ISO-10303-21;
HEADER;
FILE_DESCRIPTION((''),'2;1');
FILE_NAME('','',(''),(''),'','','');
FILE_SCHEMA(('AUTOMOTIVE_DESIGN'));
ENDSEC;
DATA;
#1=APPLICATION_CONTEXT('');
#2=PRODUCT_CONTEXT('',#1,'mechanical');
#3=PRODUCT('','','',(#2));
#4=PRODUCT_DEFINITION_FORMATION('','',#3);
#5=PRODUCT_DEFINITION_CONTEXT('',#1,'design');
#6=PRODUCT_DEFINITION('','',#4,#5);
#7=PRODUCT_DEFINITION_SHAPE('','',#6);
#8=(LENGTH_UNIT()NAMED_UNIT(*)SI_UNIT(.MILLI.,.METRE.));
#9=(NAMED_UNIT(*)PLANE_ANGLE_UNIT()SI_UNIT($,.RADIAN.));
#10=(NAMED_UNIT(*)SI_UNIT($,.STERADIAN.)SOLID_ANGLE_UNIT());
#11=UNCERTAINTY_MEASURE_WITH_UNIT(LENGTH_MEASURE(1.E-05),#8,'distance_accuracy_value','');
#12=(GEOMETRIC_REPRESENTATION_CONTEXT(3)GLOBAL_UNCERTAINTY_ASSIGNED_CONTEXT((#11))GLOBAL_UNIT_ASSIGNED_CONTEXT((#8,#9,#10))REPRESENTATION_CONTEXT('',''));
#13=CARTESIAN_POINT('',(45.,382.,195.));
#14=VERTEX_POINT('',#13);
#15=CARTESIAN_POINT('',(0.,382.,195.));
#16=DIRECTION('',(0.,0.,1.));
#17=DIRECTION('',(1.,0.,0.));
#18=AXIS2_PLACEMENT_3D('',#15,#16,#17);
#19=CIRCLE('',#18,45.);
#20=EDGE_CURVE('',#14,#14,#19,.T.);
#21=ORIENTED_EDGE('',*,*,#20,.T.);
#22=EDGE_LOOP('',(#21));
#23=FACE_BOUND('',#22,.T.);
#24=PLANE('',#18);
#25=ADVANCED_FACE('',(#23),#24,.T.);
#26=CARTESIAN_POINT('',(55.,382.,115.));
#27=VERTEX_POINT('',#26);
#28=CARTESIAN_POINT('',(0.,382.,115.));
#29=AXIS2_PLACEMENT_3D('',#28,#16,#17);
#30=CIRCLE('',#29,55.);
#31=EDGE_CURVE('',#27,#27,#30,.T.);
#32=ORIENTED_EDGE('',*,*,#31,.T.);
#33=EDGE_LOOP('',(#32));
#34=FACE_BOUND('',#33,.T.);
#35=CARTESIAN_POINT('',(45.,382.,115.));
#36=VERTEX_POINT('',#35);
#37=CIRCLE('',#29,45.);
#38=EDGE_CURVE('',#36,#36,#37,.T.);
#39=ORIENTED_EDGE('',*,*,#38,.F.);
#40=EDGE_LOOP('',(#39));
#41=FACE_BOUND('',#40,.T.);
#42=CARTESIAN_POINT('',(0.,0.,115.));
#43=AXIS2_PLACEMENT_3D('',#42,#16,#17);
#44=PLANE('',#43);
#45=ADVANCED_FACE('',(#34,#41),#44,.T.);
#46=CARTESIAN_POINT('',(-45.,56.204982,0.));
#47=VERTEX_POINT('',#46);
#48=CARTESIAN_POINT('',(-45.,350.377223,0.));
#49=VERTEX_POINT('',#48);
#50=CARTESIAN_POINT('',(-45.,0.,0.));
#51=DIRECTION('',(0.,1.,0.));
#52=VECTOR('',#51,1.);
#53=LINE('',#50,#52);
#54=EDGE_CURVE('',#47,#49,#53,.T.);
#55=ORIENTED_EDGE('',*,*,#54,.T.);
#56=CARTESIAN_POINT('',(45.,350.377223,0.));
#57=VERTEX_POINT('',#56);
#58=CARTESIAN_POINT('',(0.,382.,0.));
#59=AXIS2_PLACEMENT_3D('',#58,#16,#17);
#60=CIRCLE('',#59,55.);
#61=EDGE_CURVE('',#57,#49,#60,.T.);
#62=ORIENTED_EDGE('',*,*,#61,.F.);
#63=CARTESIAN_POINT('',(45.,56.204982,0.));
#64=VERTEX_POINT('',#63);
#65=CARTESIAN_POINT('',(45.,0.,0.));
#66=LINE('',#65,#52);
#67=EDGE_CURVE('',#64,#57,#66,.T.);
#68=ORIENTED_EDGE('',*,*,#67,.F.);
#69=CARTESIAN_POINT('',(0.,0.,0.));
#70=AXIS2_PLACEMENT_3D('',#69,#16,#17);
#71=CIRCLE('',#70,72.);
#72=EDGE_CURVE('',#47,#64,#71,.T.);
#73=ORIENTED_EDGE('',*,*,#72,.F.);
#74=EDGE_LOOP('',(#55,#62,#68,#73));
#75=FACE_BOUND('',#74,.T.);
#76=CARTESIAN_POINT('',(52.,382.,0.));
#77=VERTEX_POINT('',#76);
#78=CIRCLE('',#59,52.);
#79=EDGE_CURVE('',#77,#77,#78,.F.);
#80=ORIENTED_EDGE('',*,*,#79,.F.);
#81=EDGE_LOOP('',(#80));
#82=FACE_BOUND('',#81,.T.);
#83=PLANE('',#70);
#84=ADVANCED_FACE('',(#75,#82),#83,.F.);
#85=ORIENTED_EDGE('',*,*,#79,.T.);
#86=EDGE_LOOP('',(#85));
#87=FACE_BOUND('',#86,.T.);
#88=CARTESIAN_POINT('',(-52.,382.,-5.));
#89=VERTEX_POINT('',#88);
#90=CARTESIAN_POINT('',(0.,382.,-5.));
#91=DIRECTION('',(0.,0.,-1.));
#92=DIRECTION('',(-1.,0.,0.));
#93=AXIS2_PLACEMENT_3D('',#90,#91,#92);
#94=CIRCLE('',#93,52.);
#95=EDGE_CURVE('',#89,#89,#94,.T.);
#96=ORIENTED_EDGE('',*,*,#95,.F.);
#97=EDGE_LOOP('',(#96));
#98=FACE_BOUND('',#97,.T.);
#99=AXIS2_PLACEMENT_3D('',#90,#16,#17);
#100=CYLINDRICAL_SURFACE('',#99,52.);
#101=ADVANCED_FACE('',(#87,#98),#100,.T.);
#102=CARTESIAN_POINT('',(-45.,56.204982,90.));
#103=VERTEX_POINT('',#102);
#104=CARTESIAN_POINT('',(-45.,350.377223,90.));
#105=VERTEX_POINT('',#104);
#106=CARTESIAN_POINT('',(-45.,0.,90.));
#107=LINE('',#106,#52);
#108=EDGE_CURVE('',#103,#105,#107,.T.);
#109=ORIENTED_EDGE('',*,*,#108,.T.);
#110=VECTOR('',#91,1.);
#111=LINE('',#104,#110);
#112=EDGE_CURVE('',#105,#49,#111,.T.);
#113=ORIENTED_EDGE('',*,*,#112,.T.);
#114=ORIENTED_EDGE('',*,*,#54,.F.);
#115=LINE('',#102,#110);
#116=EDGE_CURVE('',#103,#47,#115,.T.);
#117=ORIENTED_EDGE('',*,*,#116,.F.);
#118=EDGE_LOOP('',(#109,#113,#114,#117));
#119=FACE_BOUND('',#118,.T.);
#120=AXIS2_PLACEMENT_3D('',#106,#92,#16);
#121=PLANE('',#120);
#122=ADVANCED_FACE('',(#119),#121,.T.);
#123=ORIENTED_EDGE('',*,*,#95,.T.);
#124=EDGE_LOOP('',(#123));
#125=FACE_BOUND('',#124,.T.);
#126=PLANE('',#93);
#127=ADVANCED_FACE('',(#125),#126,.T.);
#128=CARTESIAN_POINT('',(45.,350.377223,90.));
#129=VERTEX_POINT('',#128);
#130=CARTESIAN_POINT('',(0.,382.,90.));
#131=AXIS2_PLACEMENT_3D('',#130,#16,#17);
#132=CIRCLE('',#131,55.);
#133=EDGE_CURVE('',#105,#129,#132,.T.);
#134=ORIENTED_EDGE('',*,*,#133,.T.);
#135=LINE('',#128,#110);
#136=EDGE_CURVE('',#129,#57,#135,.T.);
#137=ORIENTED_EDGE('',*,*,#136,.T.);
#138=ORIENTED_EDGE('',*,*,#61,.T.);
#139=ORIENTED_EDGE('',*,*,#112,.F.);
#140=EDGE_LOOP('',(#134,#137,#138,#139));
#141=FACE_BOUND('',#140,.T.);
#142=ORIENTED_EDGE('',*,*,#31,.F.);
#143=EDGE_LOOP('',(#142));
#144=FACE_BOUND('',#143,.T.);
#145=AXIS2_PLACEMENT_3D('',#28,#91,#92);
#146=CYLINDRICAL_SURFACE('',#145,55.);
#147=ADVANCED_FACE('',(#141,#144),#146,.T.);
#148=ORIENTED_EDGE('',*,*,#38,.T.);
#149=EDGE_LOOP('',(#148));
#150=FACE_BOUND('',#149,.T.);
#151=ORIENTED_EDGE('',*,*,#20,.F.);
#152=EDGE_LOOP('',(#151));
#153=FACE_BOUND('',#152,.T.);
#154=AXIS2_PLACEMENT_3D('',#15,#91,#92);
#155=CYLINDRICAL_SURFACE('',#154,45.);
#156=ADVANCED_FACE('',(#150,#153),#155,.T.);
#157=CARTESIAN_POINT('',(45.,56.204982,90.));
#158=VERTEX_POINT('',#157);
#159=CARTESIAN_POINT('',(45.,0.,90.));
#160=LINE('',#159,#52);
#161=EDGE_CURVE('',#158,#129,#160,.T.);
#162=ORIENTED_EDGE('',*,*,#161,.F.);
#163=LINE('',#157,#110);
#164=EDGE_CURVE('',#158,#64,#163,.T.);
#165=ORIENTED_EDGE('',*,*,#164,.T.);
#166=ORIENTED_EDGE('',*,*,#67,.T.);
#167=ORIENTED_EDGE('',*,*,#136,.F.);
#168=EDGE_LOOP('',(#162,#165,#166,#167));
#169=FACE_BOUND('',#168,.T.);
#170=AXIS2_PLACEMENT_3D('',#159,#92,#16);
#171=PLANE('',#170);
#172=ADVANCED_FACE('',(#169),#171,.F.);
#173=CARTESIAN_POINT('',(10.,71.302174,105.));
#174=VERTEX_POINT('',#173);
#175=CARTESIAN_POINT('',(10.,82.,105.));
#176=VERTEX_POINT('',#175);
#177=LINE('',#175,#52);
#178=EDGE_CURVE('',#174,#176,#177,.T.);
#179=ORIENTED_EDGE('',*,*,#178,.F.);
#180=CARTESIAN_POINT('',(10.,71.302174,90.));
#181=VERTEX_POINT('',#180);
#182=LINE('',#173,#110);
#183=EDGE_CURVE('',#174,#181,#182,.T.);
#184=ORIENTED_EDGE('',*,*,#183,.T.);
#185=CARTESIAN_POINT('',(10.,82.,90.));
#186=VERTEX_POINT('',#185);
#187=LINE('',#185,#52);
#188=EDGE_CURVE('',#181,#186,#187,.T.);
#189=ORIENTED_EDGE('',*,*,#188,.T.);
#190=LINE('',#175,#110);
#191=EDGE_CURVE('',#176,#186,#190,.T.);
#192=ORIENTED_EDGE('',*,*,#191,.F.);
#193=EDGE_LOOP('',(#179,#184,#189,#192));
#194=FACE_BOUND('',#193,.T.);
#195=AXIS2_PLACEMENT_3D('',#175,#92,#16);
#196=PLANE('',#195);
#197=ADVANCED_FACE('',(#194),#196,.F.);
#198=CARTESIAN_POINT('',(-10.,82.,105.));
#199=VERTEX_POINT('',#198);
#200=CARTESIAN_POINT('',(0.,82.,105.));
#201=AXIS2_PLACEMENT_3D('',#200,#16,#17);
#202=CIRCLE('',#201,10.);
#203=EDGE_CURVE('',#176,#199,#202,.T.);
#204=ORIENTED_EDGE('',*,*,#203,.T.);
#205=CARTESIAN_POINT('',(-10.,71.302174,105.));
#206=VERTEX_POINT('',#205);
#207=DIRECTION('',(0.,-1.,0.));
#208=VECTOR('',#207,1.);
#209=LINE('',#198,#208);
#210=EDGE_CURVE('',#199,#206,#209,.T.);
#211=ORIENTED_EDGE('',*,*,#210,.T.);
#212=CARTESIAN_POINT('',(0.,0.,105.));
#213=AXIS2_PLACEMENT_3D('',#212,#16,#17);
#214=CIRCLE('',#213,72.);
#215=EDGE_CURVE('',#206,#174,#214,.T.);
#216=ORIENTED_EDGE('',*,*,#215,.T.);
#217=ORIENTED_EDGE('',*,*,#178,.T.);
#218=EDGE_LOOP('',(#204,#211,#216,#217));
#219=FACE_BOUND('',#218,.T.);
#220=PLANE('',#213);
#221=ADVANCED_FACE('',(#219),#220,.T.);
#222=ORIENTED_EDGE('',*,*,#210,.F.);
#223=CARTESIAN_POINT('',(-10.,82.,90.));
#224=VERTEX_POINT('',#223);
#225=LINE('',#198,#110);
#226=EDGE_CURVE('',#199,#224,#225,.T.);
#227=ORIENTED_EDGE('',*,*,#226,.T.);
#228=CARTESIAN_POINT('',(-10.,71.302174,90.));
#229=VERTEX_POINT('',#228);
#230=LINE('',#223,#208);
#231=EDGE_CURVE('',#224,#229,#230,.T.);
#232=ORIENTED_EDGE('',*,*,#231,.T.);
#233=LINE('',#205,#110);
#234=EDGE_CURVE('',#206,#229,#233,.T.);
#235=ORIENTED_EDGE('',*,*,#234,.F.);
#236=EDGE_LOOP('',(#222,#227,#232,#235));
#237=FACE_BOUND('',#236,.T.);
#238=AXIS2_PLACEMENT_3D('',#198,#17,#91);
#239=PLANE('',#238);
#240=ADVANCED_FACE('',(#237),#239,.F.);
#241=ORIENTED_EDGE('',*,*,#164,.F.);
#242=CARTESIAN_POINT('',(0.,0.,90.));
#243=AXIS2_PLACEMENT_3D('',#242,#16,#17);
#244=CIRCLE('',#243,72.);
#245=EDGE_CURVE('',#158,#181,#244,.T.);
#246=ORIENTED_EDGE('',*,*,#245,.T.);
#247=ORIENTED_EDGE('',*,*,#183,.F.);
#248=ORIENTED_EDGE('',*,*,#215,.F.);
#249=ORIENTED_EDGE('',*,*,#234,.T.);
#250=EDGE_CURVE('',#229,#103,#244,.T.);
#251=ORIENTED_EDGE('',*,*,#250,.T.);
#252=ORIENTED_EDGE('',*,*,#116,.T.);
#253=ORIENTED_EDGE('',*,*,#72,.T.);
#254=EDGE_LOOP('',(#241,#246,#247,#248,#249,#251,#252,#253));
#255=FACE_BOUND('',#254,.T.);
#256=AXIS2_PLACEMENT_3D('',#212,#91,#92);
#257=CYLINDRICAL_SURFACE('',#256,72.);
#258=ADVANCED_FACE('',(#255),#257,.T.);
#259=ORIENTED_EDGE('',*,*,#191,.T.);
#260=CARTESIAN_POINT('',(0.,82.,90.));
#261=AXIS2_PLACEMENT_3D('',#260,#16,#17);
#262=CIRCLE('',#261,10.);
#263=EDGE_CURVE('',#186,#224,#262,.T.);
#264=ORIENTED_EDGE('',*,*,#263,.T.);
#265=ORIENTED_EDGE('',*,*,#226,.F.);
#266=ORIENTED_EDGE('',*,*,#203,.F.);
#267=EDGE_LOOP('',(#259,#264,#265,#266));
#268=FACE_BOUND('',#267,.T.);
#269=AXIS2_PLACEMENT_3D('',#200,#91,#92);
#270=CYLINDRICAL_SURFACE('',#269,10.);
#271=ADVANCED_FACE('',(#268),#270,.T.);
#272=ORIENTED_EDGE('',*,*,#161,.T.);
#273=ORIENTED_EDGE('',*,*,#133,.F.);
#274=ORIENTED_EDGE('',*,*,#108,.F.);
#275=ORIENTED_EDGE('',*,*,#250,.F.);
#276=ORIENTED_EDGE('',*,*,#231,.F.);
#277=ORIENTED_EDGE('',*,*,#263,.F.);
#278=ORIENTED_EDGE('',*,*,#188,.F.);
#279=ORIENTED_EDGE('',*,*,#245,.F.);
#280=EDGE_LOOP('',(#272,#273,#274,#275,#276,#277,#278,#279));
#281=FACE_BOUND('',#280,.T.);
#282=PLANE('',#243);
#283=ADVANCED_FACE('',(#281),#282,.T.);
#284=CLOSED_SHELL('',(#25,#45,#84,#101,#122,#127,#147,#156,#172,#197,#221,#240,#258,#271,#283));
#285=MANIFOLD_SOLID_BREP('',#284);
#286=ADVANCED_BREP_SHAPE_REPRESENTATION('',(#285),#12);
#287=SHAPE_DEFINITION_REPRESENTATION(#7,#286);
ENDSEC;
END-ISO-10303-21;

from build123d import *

# Parameters (mm, degrees)
BOSS_EXTRUDE5_DEPTH  = 90
BOSS_EXTRUDE6_DEPTH  = 115
BOSS_EXTRUDE7_DEPTH  = 105
BOSS_EXTRUDE8_DEPTH  = 15
SKETCH17_R           = 45
BOSS_EXTRUDE9_DEPTH  = 80
SKETCH18_R           = 52
BOSS_EXTRUDE10_DEPTH = 5


with BuildPart() as part:
    # Sketch11 → Boss-Extrude5 (new body)
    with BuildSketch(Plane.XY):
        with BuildLine():
            ThreePointArc((-45, 56.204981986), (0, 72), (45, 56.204981986))
            Line((45, 56.204981986), (45, 350.377223398))
            ThreePointArc((45, 350.377223398), (0, 327), (-45, 350.377223398))
            Line((-45, 350.377223398), (-45, 56.204981986))
        make_face()
    extrude(amount=BOSS_EXTRUDE5_DEPTH)

    # Sketch11<3> → Boss-Extrude6 (add)
    with BuildSketch(Plane.XY):
        with BuildLine():
            ThreePointArc((-45, 350.377223398), (0, 327), (45, 350.377223398))
            ThreePointArc((45, 350.377223398), (52.440442409, 365.416876048), (55, 382))
            ThreePointArc((55, 382), (-16.583123952, 434.440442409), (-45, 350.377223398))
        make_face()
    extrude(amount=BOSS_EXTRUDE6_DEPTH)

    # Sketch11<4> → Boss-Extrude7 (add)
    with BuildSketch(Plane.XY):
        with BuildLine():
            ThreePointArc((72, 0), (64.899922958, 31.176914536), (45, 56.204981986))
            ThreePointArc((45, 56.204981986), (0, 72), (-45, 56.204981986))
            ThreePointArc((-45, 56.204981986), (-31.176914536, -64.899922958), (72, 0))
        make_face()
    extrude(amount=BOSS_EXTRUDE7_DEPTH)

    # Sketch13 → Boss-Extrude8 (add)
    with BuildSketch(Plane.XY.offset(90)):
        with BuildLine():
            Line((10, 82), (10, 71.30217388))
            Line((10, 71.30217388), (-10, 71.30217388))
            Line((-10, 71.30217388), (-10, 82))
            ThreePointArc((-10, 82), (0, 92), (10, 82))
        make_face()
    extrude(amount=BOSS_EXTRUDE8_DEPTH)

    # Sketch17 → Boss-Extrude9 (add)
    with BuildSketch(Plane.XY.offset(115)):
        with Locations((0, 382)):
            Circle(SKETCH17_R)
    extrude(amount=BOSS_EXTRUDE9_DEPTH)

    # Sketch18 → Boss-Extrude10 (add)
    with BuildSketch(Plane(origin=(0, 0, 0), x_dir=(-1, 0, 0), z_dir=(0, 0, -1))):
        with Locations((0, 382)):
            Circle(SKETCH18_R)
    extrude(amount=BOSS_EXTRUDE10_DEPTH)


solid = part.part
